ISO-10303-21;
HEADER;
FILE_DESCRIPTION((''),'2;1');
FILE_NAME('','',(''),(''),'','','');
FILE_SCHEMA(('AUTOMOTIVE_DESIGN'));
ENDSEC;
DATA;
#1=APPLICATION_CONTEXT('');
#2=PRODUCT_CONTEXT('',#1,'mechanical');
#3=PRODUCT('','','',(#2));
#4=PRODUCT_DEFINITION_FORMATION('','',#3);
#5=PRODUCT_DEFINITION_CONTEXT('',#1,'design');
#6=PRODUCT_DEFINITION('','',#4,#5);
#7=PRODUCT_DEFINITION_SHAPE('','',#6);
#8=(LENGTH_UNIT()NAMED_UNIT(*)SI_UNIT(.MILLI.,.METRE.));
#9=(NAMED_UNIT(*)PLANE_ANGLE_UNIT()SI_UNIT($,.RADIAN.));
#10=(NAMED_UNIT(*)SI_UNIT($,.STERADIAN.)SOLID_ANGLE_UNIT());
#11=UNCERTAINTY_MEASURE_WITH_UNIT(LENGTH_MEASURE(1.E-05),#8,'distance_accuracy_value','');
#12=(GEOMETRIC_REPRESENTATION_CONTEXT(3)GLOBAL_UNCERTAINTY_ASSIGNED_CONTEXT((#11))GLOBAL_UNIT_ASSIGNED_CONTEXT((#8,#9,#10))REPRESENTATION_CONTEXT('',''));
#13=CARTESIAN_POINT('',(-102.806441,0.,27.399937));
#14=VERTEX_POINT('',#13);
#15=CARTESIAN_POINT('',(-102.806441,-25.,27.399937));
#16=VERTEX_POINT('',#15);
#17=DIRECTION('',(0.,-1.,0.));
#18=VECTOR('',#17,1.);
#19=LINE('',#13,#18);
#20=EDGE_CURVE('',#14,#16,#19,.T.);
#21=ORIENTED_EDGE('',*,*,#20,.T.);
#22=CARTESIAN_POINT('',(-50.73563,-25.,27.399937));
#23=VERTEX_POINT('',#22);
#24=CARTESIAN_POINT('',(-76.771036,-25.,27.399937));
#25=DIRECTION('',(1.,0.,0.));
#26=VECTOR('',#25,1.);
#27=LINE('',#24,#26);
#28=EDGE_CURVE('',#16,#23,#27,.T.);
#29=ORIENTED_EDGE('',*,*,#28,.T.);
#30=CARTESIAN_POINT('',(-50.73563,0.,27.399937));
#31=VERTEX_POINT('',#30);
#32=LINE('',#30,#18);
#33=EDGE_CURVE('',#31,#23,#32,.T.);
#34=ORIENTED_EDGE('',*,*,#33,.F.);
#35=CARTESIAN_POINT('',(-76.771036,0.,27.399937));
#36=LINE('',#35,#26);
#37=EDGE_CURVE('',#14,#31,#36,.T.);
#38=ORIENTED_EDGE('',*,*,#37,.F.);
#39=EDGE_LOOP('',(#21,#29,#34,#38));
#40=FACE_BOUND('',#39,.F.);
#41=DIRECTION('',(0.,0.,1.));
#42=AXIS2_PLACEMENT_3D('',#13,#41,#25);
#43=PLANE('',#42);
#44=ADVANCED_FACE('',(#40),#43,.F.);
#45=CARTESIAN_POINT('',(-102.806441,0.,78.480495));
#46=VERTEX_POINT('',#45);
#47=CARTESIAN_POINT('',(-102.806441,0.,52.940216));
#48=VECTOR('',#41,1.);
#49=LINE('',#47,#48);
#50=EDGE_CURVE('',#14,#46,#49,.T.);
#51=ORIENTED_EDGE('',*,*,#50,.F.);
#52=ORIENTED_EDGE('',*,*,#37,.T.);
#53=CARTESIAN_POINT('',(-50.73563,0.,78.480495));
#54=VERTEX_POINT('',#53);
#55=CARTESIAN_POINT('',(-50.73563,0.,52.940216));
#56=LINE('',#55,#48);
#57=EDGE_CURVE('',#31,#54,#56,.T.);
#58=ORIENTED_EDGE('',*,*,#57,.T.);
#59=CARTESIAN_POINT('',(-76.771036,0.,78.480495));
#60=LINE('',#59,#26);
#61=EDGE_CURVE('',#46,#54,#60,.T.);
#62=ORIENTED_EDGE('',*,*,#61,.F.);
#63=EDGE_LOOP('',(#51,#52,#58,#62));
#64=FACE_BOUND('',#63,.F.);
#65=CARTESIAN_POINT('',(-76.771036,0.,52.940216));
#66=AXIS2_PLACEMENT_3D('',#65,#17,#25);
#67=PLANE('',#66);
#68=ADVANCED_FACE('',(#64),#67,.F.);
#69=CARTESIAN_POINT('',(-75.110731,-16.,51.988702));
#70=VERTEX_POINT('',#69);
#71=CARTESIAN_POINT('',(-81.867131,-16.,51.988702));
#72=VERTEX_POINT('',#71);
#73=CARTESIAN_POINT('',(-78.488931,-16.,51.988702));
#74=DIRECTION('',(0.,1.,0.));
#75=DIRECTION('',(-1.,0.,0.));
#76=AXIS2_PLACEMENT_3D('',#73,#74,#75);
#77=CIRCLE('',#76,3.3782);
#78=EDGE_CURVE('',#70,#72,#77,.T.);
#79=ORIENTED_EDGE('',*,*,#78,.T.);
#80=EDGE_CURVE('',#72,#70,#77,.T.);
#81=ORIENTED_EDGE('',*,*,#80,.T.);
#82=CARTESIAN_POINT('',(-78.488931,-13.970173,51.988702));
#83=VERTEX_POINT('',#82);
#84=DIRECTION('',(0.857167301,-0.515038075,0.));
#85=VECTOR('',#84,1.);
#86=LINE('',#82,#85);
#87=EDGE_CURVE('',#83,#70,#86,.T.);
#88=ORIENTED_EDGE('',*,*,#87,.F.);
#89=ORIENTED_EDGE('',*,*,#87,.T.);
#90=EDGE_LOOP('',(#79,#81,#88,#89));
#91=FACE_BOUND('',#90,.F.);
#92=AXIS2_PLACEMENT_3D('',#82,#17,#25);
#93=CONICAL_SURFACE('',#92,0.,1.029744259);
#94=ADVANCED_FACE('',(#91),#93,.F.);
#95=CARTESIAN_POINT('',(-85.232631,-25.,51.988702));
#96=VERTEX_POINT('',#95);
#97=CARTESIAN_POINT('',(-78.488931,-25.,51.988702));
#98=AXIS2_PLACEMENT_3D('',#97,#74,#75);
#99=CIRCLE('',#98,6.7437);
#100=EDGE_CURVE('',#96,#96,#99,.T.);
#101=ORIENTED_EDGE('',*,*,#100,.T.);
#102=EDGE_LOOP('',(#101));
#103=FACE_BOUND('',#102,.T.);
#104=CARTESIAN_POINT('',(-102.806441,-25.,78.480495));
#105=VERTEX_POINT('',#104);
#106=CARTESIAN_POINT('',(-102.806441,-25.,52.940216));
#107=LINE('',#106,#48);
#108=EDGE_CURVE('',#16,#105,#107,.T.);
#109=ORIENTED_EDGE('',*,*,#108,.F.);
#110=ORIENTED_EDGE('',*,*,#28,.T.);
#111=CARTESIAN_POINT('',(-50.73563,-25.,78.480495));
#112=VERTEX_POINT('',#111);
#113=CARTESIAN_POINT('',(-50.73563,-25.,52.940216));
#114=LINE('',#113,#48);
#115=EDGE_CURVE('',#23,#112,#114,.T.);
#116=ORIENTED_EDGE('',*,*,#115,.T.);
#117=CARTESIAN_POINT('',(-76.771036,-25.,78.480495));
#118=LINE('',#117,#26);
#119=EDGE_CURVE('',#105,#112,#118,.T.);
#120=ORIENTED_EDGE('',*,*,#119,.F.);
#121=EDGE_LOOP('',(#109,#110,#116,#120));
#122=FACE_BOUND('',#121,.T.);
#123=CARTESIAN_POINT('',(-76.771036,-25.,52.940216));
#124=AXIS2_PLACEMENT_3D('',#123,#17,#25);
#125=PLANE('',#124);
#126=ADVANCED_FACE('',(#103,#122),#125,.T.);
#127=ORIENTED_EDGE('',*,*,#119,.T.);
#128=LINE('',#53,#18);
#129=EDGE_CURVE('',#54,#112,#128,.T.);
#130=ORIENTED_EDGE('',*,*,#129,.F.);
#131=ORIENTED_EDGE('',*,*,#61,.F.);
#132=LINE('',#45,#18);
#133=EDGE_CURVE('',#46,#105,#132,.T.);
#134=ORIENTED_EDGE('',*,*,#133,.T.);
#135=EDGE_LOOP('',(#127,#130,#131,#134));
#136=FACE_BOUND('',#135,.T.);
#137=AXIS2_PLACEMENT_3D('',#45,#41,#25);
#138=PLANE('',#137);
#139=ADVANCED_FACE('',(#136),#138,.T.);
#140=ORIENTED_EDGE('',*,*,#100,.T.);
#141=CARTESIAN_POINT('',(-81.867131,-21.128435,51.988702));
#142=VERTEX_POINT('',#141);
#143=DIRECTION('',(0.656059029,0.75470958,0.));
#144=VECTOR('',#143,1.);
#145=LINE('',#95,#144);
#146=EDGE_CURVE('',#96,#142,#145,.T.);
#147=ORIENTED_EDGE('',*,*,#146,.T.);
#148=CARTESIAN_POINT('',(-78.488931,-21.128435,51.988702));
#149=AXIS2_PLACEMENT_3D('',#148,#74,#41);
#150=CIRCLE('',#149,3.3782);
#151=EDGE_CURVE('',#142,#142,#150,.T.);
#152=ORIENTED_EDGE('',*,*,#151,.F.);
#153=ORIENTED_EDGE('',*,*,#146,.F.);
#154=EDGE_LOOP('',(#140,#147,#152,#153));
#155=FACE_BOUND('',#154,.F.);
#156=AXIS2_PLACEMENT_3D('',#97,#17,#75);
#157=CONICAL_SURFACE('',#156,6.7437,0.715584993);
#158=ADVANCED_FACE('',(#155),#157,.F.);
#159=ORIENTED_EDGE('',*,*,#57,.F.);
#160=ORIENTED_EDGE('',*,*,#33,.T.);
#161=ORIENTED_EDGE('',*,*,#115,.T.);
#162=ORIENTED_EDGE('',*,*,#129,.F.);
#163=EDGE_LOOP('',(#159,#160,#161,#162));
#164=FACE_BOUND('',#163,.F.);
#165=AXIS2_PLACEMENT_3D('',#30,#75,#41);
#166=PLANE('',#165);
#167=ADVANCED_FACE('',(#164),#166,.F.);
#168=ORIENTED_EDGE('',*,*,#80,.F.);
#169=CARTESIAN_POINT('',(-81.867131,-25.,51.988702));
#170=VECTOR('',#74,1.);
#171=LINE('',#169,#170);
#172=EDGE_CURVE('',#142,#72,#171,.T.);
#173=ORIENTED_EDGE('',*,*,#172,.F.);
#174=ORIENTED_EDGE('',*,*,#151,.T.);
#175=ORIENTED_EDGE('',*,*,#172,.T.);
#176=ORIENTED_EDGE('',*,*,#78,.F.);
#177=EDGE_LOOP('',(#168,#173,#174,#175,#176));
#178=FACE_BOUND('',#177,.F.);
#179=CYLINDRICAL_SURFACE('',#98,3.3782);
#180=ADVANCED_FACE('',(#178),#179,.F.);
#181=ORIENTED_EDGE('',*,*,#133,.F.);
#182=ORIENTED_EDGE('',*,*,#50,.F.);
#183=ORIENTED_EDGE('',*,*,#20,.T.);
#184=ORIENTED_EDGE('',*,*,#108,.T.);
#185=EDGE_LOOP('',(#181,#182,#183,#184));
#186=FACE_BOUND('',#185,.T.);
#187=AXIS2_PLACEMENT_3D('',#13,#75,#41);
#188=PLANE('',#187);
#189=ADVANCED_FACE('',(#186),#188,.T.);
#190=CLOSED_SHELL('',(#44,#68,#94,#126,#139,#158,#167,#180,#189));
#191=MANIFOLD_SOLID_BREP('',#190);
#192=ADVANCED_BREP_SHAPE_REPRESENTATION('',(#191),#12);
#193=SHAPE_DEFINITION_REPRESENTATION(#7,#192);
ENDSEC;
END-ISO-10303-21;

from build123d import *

# Parameters (mm, degrees)
F0_W           = 52.0708113909
F0_H           = 51.080558449
F1_DEPTH       = 25
F3_D           = 6.7564
F3_DEPTH       = 9
F3_CSINK_D     = 13.4874
F3_CSINK_ANGLE = 82
F3_TIP         = 2.0298273432


with BuildPart() as f1:
    # F0 (on Front) → F1 (new body)
    with BuildSketch(Plane.XZ):
        with Locations((-76.7710357904, 52.9402159154)):
            Rectangle(F0_W, F0_H)
    extrude(amount=F1_DEPTH)

    # F3
    with Locations(Plane.XZ.offset(25)):
        with Locations((-78.4889310598, 51.9887022674)):
            CounterSinkHole(F3_D / 2, F3_CSINK_D / 2, depth=F3_DEPTH, counter_sink_angle=F3_CSINK_ANGLE)
            with Locations((0, 0, -(F3_DEPTH + F3_TIP / 2))):  # 118° drill point
                Cone(0, F3_D / 2, F3_TIP, mode=Mode.SUBTRACT)


solid = f1.part
